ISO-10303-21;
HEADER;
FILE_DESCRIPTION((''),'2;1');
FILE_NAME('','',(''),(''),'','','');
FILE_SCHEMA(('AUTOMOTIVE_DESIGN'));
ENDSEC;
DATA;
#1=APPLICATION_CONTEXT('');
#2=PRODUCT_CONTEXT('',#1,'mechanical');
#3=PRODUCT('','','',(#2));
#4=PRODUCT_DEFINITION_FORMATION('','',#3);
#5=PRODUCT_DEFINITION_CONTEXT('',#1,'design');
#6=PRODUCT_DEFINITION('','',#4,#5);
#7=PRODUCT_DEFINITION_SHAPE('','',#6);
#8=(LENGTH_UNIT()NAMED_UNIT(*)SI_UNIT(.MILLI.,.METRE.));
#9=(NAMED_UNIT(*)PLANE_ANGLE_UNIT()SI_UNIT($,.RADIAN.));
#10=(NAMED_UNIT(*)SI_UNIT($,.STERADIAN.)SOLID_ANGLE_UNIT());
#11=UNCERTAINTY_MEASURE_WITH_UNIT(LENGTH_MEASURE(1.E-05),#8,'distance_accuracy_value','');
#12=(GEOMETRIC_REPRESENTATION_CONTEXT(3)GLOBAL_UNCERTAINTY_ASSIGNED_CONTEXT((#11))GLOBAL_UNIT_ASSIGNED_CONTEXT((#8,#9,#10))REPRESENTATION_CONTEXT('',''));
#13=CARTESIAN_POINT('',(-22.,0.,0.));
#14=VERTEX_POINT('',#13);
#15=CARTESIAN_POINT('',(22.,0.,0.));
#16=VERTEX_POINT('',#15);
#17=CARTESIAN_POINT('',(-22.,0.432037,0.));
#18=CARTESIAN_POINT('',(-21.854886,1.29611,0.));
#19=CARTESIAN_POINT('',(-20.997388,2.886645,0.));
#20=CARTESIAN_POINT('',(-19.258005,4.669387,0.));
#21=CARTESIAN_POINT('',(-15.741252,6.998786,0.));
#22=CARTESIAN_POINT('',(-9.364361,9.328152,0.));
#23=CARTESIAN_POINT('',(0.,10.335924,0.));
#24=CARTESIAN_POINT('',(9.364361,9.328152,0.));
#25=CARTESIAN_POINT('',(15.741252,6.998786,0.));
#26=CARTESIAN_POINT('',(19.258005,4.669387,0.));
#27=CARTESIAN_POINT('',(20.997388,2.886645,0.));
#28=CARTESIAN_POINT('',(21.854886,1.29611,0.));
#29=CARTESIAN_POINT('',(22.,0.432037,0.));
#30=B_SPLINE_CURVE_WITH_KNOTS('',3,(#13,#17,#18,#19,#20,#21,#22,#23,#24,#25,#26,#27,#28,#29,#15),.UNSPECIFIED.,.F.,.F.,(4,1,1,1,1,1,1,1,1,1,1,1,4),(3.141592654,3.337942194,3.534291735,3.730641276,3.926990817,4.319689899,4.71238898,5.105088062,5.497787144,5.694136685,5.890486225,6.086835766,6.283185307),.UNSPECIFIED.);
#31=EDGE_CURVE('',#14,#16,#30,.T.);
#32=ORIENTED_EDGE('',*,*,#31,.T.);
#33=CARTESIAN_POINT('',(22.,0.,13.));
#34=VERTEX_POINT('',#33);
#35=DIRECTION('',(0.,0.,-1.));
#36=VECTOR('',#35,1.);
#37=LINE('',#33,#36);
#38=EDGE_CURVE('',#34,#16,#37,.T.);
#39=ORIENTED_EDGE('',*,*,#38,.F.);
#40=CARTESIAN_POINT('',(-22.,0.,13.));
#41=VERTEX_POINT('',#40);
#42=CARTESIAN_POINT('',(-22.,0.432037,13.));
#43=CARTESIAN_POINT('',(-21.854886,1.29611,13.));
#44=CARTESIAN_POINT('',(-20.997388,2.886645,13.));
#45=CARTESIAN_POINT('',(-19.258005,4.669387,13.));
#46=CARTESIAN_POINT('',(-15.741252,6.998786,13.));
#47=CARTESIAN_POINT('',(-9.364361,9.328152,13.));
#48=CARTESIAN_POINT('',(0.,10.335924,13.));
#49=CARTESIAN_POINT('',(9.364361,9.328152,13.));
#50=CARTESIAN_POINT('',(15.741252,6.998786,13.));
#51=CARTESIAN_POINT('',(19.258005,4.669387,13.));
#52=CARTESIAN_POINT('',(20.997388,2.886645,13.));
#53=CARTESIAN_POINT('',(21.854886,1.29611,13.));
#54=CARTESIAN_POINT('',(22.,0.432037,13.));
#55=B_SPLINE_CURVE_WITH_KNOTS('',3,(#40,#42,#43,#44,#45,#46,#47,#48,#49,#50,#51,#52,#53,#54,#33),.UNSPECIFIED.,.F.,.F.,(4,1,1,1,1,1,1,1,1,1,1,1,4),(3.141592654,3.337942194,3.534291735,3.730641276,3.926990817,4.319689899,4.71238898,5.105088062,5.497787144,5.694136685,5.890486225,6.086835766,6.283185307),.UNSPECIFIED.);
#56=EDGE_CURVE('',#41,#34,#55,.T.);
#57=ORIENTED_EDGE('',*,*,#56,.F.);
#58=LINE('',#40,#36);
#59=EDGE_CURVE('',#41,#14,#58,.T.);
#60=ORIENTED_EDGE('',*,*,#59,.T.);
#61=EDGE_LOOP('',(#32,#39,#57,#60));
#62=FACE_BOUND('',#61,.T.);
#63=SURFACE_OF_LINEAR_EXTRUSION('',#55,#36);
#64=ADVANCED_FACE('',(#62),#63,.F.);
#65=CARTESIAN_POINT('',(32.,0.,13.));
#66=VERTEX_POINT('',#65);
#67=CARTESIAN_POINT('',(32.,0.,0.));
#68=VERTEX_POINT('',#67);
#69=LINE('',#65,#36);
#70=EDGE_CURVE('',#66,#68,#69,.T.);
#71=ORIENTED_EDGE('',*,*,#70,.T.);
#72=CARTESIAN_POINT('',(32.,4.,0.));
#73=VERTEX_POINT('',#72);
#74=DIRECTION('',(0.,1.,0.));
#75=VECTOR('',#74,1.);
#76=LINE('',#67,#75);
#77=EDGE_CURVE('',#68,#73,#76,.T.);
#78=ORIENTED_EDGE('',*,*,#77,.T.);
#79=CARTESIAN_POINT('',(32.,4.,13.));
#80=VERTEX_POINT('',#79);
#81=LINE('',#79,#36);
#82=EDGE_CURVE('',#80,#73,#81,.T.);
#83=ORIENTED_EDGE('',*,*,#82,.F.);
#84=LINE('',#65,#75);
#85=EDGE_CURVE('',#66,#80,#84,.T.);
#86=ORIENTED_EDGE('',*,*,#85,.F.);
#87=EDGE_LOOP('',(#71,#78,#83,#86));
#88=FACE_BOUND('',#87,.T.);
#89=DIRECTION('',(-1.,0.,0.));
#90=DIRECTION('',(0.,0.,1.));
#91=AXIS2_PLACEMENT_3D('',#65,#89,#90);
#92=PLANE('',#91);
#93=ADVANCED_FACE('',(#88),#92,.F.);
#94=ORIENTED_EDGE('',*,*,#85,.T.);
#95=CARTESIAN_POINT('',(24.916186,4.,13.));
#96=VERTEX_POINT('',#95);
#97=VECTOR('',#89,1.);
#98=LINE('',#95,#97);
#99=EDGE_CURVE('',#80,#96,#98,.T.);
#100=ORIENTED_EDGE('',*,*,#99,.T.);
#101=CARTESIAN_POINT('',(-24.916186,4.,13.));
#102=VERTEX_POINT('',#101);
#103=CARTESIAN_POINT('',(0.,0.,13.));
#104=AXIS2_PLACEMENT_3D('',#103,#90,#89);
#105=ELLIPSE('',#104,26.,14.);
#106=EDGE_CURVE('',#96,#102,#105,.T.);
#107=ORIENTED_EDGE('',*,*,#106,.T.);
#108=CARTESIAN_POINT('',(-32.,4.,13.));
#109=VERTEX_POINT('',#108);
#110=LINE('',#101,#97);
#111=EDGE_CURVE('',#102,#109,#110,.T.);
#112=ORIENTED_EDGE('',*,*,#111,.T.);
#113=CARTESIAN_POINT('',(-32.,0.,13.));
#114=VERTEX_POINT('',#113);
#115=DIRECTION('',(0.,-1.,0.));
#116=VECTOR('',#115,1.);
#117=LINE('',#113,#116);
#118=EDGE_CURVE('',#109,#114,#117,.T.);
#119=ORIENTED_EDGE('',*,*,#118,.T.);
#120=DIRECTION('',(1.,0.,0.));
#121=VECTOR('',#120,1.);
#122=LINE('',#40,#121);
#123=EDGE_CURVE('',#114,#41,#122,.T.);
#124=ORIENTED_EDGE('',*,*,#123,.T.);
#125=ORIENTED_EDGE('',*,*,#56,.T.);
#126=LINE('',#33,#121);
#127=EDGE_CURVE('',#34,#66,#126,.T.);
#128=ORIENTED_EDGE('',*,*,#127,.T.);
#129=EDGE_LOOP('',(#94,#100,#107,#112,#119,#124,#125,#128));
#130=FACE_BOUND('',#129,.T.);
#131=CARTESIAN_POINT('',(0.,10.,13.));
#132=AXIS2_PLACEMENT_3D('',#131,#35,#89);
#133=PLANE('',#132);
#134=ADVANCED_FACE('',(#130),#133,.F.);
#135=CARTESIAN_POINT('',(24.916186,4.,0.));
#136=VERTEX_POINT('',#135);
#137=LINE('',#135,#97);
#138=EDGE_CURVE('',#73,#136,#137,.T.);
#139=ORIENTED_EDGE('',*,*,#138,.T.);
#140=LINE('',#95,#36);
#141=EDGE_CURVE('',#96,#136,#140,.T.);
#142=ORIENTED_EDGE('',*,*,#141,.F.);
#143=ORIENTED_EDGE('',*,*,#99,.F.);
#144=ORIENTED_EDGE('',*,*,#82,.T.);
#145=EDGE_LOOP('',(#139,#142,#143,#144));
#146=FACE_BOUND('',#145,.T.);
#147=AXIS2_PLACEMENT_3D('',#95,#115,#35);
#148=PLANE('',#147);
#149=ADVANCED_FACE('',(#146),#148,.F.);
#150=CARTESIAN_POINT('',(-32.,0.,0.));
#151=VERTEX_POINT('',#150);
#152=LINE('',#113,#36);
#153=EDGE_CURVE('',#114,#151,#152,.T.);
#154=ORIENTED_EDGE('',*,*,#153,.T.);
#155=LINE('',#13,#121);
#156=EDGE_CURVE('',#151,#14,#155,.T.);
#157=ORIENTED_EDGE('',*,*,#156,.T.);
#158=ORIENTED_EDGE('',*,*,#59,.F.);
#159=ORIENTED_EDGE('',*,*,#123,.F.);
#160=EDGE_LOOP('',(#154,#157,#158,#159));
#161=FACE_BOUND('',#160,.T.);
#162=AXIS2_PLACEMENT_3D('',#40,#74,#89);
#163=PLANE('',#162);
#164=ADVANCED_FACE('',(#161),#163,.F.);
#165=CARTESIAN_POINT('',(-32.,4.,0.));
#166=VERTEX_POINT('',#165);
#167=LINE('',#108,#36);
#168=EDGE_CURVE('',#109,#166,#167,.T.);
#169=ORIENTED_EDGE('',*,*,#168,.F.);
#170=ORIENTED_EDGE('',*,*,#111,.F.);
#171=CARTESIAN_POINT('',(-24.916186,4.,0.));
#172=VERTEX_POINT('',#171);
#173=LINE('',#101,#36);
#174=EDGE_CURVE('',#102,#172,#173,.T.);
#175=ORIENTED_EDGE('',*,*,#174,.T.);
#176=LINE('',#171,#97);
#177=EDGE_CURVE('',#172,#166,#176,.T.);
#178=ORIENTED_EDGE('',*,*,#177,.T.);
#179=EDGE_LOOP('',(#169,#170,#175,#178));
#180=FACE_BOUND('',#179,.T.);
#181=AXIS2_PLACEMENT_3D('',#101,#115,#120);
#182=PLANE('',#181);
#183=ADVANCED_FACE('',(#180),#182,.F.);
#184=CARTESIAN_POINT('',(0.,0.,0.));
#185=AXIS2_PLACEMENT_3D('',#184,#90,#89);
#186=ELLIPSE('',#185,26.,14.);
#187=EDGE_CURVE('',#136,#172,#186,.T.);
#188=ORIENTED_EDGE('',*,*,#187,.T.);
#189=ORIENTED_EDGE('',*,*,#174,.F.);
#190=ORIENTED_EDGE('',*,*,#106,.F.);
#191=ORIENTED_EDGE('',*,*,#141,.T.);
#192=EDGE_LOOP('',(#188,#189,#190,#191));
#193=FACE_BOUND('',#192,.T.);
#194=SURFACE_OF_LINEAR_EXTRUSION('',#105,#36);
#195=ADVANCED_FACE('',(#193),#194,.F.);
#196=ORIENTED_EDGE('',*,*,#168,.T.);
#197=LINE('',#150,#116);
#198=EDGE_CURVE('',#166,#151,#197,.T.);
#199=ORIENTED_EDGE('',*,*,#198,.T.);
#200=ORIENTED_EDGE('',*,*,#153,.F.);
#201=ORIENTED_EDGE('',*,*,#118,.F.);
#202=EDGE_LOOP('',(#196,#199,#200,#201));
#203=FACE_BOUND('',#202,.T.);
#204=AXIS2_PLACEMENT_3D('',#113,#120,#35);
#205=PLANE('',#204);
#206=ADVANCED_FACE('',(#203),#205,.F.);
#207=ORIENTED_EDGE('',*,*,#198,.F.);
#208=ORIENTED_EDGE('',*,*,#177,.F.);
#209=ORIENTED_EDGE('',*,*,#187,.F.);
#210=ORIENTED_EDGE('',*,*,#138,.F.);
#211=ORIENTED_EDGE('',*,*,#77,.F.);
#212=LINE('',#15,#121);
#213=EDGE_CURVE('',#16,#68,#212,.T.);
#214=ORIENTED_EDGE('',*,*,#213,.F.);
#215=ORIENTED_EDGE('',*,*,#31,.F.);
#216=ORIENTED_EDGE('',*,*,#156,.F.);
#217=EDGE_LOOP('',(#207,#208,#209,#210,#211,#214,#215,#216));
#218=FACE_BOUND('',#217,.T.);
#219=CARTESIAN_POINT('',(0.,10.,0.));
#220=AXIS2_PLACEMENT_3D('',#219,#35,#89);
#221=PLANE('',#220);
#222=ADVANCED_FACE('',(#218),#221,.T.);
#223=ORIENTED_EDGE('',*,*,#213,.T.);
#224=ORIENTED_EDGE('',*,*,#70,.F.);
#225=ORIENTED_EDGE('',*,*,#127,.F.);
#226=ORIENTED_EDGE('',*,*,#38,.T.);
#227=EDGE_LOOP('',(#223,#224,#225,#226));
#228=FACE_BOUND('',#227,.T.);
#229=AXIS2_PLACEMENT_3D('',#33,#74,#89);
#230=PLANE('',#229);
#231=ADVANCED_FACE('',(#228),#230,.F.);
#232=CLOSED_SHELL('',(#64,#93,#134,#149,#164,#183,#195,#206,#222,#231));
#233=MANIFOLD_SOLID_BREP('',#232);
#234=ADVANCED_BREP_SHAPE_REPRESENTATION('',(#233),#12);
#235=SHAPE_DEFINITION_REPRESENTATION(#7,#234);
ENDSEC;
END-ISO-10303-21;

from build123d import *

# Parameters (mm, degrees)
BOSS_EXTRUDE4_DEPTH = 13


with BuildPart() as part:
    # Sketch1 → Boss-Extrude4 (new body)
    with BuildSketch(Plane.XY):
        with BuildLine():
            Line((-22, 0), (-32, 0))
            Line((-32, 0), (-32, 4))
            Line((-32, 4), (-24.916186035, 4))
            add(Edge.make_bspline(
                [(24.916186035, 4), (0, 49), (-24.916186035, 4)],
                knots=[3.431344355, 3.431344355, 3.431344355, 5.993433606, 5.993433606, 5.993433606], degree=2, weights=[1, 0.285714286, 1]))
            Line((24.916186035, 4), (32, 4))
            Line((32, 4), (32, 0))
            Line((32, 0), (22, 0))
            add(Edge.make_bspline(
                [(22, 0), (22, 0.432036642), (21.854886362, 1.296109926), (20.997387843, 2.886644647), (19.258004947, 4.669386797), (15.741252168, 6.998785757), (9.364361038, 9.328152259), (0, 10.335923871), (-9.364361038, 9.328152259), (-15.741252168, 6.998785757), (-19.258004947, 4.669386797), (-20.997387843, 2.886644647), (-21.854886362, 1.296109926), (-22, 0.432036642), (-22, 0)],
                knots=[3.141592654, 3.141592654, 3.141592654, 3.141592654, 3.337942194, 3.534291735, 3.730641276, 3.926990817, 4.319689899, 4.71238898, 5.105088062, 5.497787144, 5.694136685, 5.890486225, 6.086835766, 6.283185307, 6.283185307, 6.283185307, 6.283185307], degree=3))
        make_face()
    extrude(amount=BOSS_EXTRUDE4_DEPTH)


solid = part.part
